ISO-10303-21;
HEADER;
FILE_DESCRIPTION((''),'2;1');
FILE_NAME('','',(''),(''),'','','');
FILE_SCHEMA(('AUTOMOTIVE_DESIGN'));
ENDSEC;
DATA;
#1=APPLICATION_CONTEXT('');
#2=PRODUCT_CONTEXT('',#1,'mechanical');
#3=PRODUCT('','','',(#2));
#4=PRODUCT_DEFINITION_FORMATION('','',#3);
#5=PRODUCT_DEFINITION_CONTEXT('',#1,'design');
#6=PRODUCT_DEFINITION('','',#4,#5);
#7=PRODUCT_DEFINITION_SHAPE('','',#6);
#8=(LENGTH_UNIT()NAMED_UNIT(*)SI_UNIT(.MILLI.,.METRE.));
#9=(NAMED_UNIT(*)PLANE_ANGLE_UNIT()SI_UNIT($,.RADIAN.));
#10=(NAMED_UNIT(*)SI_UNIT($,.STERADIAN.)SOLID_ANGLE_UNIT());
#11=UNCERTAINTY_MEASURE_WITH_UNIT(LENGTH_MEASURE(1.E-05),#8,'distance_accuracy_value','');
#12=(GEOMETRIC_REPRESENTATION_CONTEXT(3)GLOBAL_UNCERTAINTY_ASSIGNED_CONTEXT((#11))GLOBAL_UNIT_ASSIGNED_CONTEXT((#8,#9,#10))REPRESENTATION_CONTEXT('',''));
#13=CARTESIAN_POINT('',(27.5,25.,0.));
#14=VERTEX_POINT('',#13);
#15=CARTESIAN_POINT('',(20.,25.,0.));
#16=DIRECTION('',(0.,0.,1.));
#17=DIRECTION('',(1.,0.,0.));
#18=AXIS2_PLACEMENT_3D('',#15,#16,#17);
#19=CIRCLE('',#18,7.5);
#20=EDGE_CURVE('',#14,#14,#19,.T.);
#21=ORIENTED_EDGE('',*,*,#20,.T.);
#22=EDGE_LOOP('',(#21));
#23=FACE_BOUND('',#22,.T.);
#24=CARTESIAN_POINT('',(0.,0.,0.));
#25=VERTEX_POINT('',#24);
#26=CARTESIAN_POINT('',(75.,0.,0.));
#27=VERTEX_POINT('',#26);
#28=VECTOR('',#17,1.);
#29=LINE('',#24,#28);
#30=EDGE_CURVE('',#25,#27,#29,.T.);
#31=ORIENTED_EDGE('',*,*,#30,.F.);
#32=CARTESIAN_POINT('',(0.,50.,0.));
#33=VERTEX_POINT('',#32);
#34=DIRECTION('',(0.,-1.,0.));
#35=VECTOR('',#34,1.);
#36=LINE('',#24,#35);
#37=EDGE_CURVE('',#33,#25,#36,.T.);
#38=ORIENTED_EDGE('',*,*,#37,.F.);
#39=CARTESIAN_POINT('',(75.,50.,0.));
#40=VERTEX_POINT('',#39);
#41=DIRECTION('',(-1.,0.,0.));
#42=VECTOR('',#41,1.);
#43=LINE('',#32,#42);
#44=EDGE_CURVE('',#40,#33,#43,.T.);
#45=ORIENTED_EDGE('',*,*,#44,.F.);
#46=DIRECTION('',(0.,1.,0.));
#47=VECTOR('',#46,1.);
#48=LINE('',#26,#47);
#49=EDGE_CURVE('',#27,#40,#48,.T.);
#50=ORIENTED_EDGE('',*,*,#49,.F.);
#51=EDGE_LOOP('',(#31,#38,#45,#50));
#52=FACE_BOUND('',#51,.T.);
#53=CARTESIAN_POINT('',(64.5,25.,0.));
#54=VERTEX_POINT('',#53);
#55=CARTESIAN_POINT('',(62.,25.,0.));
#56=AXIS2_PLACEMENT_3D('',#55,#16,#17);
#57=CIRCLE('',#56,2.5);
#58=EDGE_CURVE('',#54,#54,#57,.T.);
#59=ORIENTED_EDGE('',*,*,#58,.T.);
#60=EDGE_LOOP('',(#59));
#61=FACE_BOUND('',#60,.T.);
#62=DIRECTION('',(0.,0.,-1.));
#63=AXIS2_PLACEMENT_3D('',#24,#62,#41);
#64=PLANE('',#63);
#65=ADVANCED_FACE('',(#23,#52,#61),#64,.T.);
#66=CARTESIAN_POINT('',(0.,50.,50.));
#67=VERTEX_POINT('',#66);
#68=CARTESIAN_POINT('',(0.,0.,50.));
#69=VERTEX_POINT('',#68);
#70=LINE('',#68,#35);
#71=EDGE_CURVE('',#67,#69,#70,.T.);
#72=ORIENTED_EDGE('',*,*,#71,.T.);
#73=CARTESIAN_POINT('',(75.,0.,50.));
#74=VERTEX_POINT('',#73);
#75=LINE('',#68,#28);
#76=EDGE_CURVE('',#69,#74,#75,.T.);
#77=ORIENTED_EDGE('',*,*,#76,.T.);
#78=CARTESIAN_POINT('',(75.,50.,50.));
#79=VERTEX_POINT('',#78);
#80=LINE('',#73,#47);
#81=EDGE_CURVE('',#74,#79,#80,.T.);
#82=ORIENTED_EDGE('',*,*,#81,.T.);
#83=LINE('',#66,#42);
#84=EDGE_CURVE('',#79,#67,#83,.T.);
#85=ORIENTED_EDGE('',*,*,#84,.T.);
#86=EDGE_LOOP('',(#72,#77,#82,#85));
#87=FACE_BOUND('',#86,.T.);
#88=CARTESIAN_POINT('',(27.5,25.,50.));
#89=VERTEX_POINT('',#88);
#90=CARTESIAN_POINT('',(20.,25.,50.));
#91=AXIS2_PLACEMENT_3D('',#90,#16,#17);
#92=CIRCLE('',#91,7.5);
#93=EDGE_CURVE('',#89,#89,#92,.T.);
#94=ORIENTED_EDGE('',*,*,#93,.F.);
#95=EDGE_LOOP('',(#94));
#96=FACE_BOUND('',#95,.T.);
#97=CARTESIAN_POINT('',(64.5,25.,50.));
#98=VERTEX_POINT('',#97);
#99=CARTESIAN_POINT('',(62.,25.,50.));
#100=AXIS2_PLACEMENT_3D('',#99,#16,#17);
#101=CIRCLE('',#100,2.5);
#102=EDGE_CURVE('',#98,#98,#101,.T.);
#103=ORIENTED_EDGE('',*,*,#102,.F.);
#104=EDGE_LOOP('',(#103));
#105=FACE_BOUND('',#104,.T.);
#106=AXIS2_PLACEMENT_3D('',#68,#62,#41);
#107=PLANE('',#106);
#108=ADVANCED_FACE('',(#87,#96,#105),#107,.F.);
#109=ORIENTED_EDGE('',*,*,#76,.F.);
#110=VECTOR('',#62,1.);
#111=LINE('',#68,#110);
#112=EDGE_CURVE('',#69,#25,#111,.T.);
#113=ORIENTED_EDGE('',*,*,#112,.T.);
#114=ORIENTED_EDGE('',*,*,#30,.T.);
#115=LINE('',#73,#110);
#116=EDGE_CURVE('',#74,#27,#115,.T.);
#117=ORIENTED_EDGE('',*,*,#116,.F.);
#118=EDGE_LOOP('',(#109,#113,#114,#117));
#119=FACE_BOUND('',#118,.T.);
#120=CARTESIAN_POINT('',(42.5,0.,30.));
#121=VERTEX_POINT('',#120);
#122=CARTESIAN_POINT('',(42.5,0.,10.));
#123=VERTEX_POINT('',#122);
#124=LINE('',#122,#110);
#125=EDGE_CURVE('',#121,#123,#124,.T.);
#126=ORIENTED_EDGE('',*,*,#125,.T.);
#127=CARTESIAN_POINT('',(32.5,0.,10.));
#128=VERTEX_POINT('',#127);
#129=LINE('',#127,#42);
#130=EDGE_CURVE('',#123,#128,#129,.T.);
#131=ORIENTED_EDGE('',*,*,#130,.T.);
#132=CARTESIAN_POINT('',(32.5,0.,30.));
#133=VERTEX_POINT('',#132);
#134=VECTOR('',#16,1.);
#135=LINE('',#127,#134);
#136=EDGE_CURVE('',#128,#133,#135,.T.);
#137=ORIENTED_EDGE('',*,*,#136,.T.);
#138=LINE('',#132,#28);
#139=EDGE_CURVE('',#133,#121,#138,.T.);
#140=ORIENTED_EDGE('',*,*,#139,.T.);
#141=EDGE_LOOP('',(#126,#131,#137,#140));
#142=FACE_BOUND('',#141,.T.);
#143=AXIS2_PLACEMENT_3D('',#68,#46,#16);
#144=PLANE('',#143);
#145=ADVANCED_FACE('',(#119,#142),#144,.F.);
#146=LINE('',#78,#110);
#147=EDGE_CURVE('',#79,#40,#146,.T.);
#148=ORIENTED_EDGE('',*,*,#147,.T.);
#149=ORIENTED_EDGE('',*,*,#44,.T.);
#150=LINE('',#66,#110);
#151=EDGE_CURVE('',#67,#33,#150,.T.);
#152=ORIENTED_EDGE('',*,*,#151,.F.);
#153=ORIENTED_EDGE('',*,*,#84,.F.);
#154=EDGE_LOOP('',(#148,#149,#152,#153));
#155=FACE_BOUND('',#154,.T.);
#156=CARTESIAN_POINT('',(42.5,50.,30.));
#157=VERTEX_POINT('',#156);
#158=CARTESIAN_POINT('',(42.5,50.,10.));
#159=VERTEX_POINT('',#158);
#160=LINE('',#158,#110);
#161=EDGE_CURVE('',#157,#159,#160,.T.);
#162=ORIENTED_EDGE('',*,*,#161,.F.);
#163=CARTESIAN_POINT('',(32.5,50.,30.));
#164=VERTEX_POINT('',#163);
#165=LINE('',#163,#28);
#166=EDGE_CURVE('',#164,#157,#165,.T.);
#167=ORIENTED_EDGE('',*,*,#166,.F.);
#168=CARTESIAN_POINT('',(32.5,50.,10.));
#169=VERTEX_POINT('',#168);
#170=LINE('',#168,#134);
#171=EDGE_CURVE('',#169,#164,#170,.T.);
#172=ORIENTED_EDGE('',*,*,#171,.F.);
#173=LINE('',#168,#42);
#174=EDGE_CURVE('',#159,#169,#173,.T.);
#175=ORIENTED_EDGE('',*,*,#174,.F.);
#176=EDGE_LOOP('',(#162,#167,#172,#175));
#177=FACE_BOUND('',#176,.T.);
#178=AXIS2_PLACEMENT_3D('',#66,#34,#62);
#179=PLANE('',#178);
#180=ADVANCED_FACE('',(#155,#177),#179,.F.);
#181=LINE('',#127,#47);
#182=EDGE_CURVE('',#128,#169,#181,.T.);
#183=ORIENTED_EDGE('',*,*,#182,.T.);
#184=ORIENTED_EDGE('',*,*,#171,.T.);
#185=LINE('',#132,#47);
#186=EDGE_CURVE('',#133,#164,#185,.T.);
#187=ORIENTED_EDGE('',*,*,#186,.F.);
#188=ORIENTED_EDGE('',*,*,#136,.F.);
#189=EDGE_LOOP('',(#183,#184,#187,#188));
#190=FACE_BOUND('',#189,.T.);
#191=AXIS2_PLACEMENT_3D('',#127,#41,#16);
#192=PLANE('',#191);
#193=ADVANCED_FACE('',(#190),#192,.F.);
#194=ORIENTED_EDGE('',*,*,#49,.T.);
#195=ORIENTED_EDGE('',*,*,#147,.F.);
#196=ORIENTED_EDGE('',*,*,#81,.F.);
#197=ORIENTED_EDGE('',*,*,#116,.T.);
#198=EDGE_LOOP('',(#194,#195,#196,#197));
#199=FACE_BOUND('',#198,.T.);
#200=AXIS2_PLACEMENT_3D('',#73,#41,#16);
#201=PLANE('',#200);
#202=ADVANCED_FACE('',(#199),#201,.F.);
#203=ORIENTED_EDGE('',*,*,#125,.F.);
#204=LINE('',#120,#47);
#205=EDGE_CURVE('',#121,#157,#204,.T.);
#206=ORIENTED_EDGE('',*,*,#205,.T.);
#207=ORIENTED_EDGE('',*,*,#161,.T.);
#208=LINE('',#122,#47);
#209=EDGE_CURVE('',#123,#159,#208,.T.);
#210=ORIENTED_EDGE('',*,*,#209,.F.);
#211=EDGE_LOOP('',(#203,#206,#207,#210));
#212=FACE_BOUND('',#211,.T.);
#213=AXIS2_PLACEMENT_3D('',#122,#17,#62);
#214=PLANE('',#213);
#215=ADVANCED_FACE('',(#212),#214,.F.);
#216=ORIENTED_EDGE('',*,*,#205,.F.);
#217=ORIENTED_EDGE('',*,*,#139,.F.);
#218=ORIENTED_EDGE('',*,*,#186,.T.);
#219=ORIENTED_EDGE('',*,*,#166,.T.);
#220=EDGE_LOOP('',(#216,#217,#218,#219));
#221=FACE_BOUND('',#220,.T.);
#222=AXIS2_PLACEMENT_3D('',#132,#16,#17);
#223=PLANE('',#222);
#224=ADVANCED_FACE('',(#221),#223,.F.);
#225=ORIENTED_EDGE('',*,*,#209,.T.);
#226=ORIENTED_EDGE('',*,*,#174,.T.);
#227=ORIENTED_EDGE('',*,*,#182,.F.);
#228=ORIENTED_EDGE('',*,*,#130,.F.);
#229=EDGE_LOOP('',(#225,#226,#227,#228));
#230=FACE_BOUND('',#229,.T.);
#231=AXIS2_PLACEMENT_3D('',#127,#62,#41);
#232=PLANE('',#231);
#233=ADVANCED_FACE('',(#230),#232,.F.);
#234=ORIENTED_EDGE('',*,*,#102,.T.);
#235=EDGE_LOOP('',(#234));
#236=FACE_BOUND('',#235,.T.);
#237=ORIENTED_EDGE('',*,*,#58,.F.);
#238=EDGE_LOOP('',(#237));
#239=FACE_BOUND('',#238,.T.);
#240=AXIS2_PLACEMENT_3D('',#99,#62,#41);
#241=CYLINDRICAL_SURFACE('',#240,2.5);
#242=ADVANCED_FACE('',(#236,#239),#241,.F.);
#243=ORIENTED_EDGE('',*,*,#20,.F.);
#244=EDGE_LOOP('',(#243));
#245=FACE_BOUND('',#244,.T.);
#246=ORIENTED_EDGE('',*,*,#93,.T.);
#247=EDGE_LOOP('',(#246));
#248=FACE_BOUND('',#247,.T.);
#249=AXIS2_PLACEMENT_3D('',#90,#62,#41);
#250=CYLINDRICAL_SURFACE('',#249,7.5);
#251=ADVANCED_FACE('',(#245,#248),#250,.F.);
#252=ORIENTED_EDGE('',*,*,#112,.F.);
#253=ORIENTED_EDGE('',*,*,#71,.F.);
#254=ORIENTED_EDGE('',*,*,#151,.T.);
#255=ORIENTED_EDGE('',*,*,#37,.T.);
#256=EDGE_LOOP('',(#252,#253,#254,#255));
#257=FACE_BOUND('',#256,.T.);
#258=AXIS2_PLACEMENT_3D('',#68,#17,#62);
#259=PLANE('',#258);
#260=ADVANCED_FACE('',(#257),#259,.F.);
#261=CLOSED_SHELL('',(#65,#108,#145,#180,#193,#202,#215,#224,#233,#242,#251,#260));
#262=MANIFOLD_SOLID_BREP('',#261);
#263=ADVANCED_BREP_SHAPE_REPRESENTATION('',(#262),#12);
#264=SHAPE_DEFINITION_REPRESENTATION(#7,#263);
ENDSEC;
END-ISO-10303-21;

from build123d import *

# Parameters (mm, degrees)
SKETCH1_W           = 75
SKETCH1_H           = 50
SKETCH1_R           = 7.5
SKETCH1_R_2         = 2.5
BOSS_EXTRUDE1_DEPTH = 50
SKETCH2_W           = 10
SKETCH2_H           = 20
CUT_EXTRUDE1_DEPTH  = 104.07764064


with BuildPart() as part:
    # Sketch1 → Boss-Extrude1 (new body)
    with BuildSketch(Plane.XY):
        with Locations((37.5, 25)):
            Rectangle(SKETCH1_W, SKETCH1_H)
        with Locations((20, 25)):
            Circle(SKETCH1_R, mode=Mode.SUBTRACT)
        with Locations((62, 25)):
            Circle(SKETCH1_R_2, mode=Mode.SUBTRACT)
    extrude(amount=BOSS_EXTRUDE1_DEPTH)

    # Sketch2 → Cut-Extrude1 (cut, through all)
    with BuildSketch(Plane(origin=(0, 50, 0), x_dir=(1, 0, 0), z_dir=(0, 1, 0))):
        with Locations((37.5, -20)):
            Rectangle(SKETCH2_W, SKETCH2_H)
    extrude(amount=-CUT_EXTRUDE1_DEPTH, mode=Mode.SUBTRACT)


solid = part.part
